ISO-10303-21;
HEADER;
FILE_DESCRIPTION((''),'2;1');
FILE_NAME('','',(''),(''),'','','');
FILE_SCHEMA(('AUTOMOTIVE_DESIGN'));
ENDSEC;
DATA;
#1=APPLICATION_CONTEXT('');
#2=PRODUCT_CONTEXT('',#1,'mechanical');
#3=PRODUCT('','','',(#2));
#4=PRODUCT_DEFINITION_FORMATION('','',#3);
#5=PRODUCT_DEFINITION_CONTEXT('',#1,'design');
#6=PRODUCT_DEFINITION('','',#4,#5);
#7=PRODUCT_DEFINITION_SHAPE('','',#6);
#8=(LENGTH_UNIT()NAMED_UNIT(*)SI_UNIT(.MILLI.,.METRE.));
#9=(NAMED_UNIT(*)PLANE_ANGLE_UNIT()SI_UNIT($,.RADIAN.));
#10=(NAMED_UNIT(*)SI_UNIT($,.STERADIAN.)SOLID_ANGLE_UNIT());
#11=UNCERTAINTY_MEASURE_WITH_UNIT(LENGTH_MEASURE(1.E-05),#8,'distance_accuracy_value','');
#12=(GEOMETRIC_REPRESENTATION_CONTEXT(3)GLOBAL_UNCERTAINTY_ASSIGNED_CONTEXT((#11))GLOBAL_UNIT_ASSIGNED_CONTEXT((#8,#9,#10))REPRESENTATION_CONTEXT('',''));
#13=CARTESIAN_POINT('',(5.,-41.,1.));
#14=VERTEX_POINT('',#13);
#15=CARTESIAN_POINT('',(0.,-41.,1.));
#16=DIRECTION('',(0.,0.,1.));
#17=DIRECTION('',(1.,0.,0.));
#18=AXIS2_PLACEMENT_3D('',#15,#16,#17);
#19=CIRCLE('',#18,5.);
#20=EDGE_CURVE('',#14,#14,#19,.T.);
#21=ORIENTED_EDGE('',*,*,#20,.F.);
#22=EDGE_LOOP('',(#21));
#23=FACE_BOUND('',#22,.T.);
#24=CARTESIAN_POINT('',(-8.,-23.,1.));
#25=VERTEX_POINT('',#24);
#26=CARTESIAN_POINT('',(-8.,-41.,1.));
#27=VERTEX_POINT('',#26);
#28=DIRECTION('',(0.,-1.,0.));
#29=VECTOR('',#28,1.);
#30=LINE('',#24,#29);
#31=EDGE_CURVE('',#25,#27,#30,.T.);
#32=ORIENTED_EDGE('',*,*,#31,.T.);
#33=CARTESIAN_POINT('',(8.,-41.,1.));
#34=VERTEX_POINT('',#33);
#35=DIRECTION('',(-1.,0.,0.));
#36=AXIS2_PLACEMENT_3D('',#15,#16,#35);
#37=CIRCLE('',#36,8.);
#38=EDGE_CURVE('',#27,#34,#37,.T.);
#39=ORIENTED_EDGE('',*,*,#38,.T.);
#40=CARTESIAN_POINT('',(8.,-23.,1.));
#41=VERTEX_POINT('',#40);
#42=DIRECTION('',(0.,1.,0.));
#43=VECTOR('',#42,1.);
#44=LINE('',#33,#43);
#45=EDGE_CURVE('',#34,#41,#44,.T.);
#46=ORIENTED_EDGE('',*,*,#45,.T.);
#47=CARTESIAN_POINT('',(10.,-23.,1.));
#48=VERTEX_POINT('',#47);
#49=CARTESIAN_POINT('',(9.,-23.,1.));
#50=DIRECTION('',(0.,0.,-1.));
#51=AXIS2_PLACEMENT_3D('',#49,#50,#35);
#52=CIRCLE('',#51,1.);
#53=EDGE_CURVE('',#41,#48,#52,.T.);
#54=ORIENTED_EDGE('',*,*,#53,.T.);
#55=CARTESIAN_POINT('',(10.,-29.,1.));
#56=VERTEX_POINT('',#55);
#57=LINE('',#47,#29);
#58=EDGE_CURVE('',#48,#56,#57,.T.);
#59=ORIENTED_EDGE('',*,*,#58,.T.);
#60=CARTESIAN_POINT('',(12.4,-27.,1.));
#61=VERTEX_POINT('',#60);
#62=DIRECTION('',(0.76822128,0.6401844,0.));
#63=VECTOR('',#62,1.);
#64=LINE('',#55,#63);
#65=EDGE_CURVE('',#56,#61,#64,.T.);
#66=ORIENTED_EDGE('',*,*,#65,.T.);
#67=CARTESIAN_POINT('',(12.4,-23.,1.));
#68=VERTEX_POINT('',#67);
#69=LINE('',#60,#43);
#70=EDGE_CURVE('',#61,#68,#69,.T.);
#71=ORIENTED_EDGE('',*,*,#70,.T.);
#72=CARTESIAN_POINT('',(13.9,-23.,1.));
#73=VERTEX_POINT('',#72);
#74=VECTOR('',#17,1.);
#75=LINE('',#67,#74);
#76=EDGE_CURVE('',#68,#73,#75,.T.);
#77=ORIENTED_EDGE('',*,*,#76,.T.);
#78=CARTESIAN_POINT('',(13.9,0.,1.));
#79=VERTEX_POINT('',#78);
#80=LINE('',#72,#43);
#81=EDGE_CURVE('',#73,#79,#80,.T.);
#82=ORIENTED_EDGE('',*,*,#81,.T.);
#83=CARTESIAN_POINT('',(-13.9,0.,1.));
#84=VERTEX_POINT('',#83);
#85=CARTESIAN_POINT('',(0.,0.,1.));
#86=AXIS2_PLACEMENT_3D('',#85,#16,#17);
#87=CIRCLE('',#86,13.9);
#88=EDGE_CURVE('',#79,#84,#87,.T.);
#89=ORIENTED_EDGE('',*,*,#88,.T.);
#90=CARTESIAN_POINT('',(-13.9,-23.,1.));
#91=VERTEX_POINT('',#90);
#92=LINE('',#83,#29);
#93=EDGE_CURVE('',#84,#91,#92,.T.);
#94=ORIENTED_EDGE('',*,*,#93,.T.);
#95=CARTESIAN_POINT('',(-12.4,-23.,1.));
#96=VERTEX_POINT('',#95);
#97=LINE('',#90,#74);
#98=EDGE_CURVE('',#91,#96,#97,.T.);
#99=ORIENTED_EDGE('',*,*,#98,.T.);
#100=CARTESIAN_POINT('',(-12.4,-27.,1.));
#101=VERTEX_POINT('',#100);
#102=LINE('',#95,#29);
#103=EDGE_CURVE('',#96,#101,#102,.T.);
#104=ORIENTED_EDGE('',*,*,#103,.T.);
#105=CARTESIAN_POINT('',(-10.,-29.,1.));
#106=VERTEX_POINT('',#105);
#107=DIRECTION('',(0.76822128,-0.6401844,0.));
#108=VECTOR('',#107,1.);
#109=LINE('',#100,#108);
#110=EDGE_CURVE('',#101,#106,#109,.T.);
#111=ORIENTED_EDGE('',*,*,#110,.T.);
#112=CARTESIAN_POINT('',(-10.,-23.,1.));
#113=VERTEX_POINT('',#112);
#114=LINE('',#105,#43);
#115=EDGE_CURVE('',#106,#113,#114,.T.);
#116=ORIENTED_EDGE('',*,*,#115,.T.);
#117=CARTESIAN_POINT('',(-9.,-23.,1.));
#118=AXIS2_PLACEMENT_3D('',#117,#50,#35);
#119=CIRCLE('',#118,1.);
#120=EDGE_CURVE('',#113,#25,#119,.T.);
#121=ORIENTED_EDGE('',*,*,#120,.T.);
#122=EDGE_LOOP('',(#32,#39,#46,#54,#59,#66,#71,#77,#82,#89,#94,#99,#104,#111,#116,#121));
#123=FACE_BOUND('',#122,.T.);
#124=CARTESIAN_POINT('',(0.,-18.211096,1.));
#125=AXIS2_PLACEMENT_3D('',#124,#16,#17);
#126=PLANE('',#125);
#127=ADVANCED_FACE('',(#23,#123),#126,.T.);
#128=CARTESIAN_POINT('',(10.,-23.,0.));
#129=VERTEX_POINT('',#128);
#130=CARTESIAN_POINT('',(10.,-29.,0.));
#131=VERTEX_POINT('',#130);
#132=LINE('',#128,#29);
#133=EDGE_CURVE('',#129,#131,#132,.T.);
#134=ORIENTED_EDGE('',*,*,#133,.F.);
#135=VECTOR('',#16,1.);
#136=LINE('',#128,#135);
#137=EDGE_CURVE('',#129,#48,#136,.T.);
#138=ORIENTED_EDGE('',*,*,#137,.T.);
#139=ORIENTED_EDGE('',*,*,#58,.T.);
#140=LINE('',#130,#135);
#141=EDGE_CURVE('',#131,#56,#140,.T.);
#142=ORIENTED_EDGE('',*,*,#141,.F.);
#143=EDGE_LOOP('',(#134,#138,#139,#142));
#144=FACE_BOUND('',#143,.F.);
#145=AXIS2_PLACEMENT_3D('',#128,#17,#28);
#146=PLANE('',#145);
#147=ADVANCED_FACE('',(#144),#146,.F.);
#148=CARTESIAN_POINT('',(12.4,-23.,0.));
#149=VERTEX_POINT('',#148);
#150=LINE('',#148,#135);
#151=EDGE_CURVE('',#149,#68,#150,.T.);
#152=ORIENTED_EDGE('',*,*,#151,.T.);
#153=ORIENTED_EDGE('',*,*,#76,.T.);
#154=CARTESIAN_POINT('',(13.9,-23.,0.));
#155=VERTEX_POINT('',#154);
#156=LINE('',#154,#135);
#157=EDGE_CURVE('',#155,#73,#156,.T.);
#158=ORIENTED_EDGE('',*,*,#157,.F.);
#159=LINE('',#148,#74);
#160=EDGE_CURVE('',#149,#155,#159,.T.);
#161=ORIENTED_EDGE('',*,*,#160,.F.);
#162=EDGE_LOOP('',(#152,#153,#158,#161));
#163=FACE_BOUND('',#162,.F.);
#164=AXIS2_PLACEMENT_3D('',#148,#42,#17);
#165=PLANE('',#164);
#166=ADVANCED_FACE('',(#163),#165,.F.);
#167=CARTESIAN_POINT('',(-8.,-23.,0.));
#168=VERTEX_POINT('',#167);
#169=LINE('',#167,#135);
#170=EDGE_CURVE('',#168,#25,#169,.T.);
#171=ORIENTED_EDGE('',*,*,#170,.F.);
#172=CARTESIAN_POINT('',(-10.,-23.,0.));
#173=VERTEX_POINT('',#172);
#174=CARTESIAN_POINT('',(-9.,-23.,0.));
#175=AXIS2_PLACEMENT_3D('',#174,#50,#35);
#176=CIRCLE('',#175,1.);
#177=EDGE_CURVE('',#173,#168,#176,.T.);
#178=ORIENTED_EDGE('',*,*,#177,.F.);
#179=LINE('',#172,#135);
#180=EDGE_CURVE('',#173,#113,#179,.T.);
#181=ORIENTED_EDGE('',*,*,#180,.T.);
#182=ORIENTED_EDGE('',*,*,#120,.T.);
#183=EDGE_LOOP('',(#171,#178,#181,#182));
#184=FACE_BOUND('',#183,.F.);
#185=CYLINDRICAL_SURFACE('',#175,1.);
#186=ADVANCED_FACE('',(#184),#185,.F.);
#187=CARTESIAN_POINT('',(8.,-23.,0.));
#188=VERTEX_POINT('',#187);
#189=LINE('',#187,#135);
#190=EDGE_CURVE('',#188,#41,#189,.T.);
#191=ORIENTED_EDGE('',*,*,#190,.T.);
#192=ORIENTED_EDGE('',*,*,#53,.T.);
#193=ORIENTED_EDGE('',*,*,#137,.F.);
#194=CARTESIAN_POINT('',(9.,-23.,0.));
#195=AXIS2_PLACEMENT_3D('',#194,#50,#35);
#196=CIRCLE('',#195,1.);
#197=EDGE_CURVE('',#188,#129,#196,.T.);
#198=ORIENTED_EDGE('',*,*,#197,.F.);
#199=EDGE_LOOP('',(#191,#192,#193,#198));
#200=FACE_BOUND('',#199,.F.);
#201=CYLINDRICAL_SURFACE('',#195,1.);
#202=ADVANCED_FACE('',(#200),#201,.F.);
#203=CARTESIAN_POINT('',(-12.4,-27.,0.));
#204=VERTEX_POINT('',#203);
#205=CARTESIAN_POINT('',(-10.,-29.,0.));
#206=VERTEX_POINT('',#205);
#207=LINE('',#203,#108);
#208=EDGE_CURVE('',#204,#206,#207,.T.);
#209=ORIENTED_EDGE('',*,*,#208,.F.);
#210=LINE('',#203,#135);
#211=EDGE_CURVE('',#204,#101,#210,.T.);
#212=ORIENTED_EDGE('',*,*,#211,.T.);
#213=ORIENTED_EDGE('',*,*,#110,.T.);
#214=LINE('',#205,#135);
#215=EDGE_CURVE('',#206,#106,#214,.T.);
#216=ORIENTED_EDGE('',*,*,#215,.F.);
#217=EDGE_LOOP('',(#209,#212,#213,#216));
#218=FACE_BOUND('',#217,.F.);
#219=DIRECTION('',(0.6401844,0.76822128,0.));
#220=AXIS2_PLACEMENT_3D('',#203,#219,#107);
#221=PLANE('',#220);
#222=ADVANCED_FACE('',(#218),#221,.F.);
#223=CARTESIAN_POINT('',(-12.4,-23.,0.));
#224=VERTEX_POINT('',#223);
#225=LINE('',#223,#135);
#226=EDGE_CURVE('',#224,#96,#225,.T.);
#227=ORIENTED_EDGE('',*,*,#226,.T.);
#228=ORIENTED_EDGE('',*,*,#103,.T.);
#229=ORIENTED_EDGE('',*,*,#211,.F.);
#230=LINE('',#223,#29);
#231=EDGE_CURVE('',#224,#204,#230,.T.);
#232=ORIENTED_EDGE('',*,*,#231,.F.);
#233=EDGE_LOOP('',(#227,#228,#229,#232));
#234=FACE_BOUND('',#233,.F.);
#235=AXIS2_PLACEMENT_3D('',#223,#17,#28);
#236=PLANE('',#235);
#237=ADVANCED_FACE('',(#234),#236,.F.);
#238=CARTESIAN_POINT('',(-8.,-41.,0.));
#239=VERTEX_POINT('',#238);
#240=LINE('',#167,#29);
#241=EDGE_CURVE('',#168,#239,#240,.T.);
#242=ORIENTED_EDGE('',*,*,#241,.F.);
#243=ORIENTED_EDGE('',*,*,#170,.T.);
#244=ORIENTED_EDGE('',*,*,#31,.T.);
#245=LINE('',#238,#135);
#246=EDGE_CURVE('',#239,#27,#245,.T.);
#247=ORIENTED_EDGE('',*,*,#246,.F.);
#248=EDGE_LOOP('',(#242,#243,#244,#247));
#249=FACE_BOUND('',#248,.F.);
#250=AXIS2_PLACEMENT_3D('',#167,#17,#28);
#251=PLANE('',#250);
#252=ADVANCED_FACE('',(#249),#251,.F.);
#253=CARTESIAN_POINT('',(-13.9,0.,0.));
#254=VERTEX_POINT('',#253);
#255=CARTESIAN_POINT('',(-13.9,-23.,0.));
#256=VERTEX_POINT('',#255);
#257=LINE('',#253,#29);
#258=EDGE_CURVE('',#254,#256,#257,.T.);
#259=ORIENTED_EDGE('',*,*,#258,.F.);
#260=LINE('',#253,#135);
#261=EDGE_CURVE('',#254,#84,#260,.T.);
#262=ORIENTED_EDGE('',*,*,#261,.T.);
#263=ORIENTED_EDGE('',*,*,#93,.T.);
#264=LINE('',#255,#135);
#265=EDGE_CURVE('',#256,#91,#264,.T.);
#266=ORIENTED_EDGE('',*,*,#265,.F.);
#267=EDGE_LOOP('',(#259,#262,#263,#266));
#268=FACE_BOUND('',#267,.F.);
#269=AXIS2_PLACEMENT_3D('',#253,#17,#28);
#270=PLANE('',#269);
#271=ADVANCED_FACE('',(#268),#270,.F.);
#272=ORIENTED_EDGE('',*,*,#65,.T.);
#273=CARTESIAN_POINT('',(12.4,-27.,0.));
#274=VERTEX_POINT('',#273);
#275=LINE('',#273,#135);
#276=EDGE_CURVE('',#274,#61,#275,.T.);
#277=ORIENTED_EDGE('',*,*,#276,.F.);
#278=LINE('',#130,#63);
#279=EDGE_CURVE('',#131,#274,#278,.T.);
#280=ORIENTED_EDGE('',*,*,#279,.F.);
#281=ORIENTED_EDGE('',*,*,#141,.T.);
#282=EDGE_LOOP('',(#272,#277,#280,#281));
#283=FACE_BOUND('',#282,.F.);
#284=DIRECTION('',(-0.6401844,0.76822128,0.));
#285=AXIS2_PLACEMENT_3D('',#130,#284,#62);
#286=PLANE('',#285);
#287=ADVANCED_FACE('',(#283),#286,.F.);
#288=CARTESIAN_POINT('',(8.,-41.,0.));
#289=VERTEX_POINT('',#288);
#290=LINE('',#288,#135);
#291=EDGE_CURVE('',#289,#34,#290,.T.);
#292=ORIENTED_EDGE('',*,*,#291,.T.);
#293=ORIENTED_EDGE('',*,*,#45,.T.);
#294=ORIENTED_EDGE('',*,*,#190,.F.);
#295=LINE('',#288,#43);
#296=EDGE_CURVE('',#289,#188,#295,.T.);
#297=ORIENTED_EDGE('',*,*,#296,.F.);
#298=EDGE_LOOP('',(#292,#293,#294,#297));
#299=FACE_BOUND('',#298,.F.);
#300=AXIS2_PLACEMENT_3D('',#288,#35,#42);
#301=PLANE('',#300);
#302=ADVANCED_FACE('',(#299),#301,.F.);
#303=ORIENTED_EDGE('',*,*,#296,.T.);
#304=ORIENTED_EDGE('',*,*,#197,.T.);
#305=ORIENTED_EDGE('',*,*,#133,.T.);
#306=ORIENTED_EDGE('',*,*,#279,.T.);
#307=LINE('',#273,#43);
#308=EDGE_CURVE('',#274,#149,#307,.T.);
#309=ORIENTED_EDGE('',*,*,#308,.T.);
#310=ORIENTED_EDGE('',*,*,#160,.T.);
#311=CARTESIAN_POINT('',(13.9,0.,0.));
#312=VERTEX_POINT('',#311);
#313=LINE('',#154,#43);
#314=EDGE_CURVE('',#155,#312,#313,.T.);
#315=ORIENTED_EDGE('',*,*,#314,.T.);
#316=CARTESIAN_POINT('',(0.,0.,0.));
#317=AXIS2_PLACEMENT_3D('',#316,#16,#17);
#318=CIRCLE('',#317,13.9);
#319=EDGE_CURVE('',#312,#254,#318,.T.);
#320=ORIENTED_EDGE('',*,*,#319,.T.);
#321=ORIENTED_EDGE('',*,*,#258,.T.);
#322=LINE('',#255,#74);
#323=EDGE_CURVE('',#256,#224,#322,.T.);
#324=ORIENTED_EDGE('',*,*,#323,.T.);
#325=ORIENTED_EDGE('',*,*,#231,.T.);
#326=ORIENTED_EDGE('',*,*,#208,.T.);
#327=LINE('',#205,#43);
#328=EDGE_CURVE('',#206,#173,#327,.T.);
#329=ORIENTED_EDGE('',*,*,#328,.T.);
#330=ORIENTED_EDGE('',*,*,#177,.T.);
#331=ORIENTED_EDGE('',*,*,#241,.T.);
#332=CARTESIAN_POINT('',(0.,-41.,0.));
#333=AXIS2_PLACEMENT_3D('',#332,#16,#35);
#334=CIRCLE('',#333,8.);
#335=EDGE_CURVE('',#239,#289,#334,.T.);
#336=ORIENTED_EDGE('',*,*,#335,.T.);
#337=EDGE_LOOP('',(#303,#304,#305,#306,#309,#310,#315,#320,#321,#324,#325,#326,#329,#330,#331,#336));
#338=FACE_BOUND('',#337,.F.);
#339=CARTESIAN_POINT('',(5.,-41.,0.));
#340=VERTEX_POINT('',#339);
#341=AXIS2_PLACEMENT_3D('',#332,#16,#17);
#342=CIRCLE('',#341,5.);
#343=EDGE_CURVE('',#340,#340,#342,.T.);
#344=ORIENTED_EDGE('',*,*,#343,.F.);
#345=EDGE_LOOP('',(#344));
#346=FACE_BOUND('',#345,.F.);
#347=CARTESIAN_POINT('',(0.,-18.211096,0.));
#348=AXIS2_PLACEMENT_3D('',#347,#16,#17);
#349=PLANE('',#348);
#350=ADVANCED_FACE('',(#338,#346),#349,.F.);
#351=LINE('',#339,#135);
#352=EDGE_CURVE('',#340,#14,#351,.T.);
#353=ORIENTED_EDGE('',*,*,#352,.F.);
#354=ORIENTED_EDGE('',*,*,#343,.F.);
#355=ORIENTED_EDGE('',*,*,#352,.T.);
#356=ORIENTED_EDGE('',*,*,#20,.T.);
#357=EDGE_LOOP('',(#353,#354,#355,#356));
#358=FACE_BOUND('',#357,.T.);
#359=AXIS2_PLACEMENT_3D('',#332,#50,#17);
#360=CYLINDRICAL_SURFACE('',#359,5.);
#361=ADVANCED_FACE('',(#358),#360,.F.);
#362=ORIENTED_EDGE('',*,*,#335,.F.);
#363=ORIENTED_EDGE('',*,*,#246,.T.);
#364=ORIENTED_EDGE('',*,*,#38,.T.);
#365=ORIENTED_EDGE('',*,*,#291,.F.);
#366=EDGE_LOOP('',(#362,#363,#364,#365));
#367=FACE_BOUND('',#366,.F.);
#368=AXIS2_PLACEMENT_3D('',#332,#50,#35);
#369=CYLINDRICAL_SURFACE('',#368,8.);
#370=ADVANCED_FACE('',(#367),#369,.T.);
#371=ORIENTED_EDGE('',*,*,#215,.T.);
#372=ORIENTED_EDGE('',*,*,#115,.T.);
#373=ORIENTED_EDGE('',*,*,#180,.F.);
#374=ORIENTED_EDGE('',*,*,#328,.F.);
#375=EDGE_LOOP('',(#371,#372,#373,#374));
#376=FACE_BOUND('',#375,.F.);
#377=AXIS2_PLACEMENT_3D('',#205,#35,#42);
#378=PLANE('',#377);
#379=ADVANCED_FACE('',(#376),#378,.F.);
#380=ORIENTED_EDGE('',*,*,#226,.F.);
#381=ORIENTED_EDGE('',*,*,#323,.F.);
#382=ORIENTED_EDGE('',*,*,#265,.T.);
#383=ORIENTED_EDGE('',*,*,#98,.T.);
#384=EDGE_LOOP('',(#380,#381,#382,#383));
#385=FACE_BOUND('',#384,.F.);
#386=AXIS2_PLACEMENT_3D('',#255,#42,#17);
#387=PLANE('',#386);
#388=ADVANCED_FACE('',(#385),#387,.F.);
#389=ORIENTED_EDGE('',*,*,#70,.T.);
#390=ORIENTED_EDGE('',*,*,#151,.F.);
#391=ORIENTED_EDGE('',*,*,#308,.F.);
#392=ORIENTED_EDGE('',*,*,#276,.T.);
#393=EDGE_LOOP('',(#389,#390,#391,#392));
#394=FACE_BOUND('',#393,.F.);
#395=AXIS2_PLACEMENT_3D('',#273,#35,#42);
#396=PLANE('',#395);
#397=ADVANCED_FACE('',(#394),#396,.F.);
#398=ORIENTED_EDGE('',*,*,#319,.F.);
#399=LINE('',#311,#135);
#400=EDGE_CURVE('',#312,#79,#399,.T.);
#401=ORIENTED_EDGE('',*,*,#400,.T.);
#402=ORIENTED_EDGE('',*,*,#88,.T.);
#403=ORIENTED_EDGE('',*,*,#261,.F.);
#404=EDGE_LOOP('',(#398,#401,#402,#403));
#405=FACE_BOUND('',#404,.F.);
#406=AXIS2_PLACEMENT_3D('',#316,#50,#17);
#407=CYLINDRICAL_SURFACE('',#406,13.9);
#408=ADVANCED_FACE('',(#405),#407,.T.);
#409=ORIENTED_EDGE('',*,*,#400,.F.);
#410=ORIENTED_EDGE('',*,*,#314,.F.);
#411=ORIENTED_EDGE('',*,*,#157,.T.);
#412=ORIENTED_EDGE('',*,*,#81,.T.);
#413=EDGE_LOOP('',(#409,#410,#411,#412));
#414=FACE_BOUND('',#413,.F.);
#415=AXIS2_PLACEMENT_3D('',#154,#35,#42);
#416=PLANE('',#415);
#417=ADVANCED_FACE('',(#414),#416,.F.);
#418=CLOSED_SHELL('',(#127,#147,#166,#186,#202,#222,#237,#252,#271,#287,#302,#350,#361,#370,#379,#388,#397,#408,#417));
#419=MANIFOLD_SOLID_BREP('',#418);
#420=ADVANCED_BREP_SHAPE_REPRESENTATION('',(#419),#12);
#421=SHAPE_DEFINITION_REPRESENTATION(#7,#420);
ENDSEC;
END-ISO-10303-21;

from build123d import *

# Parameters (mm, degrees)
F0_R     = 5
F1_DEPTH = 1


with BuildPart() as f1:
    # F0 (on Top) → F1 (new body)
    with BuildSketch(Plane.XY):
        with BuildLine():
            Line((-12.4, -27), (-10, -29))
            Line((-10, -29), (-10, -23))
            ThreePointArc((-10, -23), (-9, -22), (-8, -23))
            Line((-8, -23), (-8, -41))
            ThreePointArc((-8, -41), (0, -49), (8, -41))
            Line((8, -41), (8, -23))
            ThreePointArc((8, -23), (9, -22), (10, -23))
            Line((10, -23), (10, -29))
            Line((10, -29), (12.4, -27))
            Line((12.4, -27), (12.4, -23))
            Line((12.4, -23), (13.9, -23))
            Line((13.9, -23), (13.9, 0))
            ThreePointArc((13.9, 0), (0, 13.9), (-13.9, 0))
            Line((-13.9, 0), (-13.9, -23))
            Line((-13.9, -23), (-12.4, -23))
            Line((-12.4, -23), (-12.4, -27))
        make_face()
        with Locations((0, -41)):
            Circle(F0_R, mode=Mode.SUBTRACT)
    extrude(amount=F1_DEPTH)


solid = f1.part
